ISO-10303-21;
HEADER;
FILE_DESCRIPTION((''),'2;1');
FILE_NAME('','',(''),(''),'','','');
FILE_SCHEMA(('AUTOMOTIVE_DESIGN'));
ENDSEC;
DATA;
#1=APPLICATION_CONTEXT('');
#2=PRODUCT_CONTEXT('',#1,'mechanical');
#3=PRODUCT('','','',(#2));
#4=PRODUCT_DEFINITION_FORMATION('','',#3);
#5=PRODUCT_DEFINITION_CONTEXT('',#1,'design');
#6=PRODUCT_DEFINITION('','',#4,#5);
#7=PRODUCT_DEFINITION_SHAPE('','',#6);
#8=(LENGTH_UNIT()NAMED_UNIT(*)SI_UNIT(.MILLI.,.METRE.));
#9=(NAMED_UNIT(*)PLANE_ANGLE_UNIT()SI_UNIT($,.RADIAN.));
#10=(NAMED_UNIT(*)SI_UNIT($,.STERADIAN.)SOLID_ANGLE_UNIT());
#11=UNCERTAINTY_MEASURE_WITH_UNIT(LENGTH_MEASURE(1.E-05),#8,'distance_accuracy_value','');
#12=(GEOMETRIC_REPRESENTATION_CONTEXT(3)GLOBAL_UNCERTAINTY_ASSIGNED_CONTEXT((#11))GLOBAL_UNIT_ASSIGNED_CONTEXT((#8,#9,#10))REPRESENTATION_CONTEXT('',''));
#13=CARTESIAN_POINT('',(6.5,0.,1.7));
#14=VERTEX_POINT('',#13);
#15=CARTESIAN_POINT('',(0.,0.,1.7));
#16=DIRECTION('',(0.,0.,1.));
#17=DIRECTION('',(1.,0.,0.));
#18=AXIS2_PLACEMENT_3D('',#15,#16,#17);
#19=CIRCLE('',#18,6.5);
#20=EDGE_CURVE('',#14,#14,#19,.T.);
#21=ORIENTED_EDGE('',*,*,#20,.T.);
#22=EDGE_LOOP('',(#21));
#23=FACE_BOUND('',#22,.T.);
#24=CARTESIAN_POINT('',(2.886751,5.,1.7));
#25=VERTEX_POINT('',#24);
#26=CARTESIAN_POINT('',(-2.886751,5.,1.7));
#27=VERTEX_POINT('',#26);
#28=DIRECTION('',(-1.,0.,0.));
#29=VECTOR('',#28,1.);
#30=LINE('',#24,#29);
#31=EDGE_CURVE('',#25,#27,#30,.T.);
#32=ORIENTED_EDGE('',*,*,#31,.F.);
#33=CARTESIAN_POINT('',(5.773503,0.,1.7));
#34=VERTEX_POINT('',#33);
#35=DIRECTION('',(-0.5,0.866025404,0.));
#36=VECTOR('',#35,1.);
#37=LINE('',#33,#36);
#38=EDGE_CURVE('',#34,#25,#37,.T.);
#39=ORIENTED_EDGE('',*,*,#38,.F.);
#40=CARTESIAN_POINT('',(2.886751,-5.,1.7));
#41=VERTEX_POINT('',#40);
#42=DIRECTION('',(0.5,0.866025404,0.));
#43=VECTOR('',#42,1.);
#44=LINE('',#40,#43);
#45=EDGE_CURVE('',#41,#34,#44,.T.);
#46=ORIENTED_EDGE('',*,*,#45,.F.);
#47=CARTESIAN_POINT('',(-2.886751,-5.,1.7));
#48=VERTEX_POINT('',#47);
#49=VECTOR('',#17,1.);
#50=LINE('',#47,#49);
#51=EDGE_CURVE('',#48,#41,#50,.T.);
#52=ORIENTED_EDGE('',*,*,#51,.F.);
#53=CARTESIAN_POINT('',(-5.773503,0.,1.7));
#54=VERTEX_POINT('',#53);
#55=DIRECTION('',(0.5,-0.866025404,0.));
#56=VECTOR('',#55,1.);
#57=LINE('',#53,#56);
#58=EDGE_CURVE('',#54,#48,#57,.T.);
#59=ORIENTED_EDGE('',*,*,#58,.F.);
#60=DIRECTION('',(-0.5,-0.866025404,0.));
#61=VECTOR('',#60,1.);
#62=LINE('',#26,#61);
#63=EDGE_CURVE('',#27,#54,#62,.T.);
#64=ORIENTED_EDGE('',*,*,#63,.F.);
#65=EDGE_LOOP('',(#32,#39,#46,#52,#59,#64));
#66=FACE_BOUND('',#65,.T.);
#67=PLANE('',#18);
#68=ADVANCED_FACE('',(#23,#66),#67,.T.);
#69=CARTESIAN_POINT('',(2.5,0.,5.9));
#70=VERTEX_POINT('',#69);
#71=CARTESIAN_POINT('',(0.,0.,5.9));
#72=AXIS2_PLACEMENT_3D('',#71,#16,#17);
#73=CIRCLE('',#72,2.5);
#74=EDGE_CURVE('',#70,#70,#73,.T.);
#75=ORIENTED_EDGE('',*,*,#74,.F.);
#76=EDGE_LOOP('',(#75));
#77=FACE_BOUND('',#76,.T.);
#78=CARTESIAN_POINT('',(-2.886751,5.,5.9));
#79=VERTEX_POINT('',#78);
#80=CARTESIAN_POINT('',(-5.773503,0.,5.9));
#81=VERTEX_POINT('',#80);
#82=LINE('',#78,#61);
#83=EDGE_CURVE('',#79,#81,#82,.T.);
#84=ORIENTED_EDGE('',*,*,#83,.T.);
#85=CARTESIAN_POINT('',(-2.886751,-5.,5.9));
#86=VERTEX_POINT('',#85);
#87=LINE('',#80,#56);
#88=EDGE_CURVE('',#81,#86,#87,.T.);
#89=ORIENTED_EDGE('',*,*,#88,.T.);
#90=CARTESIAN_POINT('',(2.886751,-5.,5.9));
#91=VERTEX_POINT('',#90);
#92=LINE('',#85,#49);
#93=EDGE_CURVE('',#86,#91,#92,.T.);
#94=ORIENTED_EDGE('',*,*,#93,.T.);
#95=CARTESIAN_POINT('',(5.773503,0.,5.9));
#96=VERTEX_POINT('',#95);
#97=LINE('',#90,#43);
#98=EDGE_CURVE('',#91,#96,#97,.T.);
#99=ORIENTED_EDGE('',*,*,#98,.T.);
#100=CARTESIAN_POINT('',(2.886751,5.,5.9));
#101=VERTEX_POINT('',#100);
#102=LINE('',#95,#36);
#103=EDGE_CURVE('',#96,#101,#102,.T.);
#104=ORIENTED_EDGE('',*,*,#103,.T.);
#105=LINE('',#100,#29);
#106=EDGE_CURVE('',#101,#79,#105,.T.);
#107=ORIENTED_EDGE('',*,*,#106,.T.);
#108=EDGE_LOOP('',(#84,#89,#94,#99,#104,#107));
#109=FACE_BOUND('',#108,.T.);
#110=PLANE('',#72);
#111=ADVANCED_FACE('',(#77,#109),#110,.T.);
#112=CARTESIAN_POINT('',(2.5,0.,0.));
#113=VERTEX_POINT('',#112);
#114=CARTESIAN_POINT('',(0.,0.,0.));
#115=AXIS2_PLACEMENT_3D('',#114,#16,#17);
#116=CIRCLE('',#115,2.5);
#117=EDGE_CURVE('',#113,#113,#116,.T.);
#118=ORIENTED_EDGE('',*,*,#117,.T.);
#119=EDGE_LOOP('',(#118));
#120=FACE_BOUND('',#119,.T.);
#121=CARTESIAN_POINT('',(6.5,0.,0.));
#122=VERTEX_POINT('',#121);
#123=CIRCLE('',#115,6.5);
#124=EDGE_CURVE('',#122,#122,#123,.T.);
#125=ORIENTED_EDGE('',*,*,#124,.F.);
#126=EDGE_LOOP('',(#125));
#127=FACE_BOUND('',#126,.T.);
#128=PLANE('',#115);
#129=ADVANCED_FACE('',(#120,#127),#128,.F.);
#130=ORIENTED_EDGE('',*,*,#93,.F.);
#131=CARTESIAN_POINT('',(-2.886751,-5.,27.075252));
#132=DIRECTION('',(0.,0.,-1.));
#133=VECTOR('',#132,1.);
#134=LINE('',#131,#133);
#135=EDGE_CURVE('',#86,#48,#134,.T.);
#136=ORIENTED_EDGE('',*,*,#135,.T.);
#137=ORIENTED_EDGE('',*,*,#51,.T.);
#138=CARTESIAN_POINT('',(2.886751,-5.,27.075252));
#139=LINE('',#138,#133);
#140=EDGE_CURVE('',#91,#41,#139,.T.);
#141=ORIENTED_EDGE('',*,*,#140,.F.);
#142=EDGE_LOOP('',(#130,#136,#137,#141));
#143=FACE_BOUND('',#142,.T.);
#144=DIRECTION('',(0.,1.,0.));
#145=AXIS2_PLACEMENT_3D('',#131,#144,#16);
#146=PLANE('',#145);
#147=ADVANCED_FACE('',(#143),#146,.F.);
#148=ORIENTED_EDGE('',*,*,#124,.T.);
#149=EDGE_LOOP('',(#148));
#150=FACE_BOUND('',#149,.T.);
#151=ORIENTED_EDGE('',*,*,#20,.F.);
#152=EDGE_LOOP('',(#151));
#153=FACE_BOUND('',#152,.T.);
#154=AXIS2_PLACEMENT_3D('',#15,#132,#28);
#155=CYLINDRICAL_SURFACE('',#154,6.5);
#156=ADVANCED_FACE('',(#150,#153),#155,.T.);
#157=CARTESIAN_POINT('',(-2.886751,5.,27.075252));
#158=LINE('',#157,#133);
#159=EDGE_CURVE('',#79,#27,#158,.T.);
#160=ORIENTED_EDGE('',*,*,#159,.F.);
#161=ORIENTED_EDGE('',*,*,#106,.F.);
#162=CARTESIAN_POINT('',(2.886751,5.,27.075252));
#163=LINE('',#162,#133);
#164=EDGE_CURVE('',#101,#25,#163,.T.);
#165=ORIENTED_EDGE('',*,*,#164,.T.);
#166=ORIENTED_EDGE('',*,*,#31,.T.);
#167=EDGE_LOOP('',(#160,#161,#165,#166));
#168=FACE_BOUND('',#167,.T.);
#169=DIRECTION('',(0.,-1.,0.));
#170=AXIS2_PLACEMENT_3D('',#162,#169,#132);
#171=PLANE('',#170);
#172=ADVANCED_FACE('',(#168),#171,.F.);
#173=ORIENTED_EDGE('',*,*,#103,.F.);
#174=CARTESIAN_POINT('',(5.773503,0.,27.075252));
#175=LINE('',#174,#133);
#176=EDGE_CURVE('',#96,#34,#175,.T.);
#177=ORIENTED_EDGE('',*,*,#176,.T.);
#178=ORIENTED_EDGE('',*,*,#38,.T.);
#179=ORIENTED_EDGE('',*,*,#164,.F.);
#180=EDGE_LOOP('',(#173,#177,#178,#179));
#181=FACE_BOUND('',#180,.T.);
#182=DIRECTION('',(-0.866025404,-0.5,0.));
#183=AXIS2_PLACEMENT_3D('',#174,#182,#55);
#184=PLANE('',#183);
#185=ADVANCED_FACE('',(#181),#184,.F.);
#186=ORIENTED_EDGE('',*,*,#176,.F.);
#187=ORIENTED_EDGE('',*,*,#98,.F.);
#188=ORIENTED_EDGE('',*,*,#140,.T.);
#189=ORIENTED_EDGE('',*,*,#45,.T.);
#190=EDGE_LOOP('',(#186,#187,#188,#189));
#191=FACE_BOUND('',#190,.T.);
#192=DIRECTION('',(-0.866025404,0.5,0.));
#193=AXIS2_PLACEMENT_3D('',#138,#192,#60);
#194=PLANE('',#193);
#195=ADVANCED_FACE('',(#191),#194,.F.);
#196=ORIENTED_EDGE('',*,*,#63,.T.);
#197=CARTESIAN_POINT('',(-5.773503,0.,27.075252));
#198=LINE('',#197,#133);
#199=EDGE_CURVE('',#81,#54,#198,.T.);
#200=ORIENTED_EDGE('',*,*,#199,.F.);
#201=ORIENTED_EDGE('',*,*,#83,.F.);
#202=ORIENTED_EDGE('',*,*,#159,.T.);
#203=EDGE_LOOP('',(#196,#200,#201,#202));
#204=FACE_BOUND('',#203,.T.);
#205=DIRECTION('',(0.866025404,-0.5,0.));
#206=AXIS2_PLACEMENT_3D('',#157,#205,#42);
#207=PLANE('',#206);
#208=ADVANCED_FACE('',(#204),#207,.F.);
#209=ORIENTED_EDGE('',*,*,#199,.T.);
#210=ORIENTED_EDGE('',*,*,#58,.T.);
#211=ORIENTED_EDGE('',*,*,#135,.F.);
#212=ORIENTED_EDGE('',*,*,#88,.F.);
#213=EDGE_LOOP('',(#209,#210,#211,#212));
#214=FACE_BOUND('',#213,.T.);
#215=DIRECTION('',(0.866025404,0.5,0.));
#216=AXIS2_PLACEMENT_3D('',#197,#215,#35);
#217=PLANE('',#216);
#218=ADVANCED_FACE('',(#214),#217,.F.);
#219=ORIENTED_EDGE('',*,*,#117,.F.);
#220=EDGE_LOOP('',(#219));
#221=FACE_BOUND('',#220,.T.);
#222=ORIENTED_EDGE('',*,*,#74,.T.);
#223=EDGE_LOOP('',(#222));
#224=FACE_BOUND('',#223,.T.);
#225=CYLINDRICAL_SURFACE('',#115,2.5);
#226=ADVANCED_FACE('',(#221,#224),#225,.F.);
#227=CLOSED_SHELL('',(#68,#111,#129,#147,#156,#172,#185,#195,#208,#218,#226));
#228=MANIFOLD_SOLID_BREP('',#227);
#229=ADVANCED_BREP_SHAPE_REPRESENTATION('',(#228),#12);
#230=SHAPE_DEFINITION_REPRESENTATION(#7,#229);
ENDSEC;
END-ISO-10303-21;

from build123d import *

# Parameters (mm, degrees)
SKETCH_1_R          = 6.5
EXTRUDE_1_DEPTH     = 1.7
EXTRUDE_2_DEPTH     = 4.2
SKETCH_3_R          = 2.5
CUT_EXTRUDE_1_DEPTH = 11.9229117


with BuildPart() as part:
    # Эскиз1 → Бобышка-Вытянуть1 (new body)
    with BuildSketch(Plane.XY):
        Circle(SKETCH_1_R)
    extrude(amount=EXTRUDE_1_DEPTH)

    # Эскиз2 → Бобышка-Вытянуть2 (add)
    with BuildSketch(Plane.XY.offset(1.7)):
        Polygon((5.773502692, 0), (2.886751346, 5), (-2.886751346, 5), (-5.773502692, 0), (-2.886751346, -5), (2.886751346, -5), align=None)
    extrude(amount=EXTRUDE_2_DEPTH)

    # Эскиз3 → Вырез-Вытянуть1 (cut, through all)
    with BuildSketch(Plane.XY.offset(5.9)):
        Circle(SKETCH_3_R)
    extrude(amount=-CUT_EXTRUDE_1_DEPTH, mode=Mode.SUBTRACT)


solid = part.part
